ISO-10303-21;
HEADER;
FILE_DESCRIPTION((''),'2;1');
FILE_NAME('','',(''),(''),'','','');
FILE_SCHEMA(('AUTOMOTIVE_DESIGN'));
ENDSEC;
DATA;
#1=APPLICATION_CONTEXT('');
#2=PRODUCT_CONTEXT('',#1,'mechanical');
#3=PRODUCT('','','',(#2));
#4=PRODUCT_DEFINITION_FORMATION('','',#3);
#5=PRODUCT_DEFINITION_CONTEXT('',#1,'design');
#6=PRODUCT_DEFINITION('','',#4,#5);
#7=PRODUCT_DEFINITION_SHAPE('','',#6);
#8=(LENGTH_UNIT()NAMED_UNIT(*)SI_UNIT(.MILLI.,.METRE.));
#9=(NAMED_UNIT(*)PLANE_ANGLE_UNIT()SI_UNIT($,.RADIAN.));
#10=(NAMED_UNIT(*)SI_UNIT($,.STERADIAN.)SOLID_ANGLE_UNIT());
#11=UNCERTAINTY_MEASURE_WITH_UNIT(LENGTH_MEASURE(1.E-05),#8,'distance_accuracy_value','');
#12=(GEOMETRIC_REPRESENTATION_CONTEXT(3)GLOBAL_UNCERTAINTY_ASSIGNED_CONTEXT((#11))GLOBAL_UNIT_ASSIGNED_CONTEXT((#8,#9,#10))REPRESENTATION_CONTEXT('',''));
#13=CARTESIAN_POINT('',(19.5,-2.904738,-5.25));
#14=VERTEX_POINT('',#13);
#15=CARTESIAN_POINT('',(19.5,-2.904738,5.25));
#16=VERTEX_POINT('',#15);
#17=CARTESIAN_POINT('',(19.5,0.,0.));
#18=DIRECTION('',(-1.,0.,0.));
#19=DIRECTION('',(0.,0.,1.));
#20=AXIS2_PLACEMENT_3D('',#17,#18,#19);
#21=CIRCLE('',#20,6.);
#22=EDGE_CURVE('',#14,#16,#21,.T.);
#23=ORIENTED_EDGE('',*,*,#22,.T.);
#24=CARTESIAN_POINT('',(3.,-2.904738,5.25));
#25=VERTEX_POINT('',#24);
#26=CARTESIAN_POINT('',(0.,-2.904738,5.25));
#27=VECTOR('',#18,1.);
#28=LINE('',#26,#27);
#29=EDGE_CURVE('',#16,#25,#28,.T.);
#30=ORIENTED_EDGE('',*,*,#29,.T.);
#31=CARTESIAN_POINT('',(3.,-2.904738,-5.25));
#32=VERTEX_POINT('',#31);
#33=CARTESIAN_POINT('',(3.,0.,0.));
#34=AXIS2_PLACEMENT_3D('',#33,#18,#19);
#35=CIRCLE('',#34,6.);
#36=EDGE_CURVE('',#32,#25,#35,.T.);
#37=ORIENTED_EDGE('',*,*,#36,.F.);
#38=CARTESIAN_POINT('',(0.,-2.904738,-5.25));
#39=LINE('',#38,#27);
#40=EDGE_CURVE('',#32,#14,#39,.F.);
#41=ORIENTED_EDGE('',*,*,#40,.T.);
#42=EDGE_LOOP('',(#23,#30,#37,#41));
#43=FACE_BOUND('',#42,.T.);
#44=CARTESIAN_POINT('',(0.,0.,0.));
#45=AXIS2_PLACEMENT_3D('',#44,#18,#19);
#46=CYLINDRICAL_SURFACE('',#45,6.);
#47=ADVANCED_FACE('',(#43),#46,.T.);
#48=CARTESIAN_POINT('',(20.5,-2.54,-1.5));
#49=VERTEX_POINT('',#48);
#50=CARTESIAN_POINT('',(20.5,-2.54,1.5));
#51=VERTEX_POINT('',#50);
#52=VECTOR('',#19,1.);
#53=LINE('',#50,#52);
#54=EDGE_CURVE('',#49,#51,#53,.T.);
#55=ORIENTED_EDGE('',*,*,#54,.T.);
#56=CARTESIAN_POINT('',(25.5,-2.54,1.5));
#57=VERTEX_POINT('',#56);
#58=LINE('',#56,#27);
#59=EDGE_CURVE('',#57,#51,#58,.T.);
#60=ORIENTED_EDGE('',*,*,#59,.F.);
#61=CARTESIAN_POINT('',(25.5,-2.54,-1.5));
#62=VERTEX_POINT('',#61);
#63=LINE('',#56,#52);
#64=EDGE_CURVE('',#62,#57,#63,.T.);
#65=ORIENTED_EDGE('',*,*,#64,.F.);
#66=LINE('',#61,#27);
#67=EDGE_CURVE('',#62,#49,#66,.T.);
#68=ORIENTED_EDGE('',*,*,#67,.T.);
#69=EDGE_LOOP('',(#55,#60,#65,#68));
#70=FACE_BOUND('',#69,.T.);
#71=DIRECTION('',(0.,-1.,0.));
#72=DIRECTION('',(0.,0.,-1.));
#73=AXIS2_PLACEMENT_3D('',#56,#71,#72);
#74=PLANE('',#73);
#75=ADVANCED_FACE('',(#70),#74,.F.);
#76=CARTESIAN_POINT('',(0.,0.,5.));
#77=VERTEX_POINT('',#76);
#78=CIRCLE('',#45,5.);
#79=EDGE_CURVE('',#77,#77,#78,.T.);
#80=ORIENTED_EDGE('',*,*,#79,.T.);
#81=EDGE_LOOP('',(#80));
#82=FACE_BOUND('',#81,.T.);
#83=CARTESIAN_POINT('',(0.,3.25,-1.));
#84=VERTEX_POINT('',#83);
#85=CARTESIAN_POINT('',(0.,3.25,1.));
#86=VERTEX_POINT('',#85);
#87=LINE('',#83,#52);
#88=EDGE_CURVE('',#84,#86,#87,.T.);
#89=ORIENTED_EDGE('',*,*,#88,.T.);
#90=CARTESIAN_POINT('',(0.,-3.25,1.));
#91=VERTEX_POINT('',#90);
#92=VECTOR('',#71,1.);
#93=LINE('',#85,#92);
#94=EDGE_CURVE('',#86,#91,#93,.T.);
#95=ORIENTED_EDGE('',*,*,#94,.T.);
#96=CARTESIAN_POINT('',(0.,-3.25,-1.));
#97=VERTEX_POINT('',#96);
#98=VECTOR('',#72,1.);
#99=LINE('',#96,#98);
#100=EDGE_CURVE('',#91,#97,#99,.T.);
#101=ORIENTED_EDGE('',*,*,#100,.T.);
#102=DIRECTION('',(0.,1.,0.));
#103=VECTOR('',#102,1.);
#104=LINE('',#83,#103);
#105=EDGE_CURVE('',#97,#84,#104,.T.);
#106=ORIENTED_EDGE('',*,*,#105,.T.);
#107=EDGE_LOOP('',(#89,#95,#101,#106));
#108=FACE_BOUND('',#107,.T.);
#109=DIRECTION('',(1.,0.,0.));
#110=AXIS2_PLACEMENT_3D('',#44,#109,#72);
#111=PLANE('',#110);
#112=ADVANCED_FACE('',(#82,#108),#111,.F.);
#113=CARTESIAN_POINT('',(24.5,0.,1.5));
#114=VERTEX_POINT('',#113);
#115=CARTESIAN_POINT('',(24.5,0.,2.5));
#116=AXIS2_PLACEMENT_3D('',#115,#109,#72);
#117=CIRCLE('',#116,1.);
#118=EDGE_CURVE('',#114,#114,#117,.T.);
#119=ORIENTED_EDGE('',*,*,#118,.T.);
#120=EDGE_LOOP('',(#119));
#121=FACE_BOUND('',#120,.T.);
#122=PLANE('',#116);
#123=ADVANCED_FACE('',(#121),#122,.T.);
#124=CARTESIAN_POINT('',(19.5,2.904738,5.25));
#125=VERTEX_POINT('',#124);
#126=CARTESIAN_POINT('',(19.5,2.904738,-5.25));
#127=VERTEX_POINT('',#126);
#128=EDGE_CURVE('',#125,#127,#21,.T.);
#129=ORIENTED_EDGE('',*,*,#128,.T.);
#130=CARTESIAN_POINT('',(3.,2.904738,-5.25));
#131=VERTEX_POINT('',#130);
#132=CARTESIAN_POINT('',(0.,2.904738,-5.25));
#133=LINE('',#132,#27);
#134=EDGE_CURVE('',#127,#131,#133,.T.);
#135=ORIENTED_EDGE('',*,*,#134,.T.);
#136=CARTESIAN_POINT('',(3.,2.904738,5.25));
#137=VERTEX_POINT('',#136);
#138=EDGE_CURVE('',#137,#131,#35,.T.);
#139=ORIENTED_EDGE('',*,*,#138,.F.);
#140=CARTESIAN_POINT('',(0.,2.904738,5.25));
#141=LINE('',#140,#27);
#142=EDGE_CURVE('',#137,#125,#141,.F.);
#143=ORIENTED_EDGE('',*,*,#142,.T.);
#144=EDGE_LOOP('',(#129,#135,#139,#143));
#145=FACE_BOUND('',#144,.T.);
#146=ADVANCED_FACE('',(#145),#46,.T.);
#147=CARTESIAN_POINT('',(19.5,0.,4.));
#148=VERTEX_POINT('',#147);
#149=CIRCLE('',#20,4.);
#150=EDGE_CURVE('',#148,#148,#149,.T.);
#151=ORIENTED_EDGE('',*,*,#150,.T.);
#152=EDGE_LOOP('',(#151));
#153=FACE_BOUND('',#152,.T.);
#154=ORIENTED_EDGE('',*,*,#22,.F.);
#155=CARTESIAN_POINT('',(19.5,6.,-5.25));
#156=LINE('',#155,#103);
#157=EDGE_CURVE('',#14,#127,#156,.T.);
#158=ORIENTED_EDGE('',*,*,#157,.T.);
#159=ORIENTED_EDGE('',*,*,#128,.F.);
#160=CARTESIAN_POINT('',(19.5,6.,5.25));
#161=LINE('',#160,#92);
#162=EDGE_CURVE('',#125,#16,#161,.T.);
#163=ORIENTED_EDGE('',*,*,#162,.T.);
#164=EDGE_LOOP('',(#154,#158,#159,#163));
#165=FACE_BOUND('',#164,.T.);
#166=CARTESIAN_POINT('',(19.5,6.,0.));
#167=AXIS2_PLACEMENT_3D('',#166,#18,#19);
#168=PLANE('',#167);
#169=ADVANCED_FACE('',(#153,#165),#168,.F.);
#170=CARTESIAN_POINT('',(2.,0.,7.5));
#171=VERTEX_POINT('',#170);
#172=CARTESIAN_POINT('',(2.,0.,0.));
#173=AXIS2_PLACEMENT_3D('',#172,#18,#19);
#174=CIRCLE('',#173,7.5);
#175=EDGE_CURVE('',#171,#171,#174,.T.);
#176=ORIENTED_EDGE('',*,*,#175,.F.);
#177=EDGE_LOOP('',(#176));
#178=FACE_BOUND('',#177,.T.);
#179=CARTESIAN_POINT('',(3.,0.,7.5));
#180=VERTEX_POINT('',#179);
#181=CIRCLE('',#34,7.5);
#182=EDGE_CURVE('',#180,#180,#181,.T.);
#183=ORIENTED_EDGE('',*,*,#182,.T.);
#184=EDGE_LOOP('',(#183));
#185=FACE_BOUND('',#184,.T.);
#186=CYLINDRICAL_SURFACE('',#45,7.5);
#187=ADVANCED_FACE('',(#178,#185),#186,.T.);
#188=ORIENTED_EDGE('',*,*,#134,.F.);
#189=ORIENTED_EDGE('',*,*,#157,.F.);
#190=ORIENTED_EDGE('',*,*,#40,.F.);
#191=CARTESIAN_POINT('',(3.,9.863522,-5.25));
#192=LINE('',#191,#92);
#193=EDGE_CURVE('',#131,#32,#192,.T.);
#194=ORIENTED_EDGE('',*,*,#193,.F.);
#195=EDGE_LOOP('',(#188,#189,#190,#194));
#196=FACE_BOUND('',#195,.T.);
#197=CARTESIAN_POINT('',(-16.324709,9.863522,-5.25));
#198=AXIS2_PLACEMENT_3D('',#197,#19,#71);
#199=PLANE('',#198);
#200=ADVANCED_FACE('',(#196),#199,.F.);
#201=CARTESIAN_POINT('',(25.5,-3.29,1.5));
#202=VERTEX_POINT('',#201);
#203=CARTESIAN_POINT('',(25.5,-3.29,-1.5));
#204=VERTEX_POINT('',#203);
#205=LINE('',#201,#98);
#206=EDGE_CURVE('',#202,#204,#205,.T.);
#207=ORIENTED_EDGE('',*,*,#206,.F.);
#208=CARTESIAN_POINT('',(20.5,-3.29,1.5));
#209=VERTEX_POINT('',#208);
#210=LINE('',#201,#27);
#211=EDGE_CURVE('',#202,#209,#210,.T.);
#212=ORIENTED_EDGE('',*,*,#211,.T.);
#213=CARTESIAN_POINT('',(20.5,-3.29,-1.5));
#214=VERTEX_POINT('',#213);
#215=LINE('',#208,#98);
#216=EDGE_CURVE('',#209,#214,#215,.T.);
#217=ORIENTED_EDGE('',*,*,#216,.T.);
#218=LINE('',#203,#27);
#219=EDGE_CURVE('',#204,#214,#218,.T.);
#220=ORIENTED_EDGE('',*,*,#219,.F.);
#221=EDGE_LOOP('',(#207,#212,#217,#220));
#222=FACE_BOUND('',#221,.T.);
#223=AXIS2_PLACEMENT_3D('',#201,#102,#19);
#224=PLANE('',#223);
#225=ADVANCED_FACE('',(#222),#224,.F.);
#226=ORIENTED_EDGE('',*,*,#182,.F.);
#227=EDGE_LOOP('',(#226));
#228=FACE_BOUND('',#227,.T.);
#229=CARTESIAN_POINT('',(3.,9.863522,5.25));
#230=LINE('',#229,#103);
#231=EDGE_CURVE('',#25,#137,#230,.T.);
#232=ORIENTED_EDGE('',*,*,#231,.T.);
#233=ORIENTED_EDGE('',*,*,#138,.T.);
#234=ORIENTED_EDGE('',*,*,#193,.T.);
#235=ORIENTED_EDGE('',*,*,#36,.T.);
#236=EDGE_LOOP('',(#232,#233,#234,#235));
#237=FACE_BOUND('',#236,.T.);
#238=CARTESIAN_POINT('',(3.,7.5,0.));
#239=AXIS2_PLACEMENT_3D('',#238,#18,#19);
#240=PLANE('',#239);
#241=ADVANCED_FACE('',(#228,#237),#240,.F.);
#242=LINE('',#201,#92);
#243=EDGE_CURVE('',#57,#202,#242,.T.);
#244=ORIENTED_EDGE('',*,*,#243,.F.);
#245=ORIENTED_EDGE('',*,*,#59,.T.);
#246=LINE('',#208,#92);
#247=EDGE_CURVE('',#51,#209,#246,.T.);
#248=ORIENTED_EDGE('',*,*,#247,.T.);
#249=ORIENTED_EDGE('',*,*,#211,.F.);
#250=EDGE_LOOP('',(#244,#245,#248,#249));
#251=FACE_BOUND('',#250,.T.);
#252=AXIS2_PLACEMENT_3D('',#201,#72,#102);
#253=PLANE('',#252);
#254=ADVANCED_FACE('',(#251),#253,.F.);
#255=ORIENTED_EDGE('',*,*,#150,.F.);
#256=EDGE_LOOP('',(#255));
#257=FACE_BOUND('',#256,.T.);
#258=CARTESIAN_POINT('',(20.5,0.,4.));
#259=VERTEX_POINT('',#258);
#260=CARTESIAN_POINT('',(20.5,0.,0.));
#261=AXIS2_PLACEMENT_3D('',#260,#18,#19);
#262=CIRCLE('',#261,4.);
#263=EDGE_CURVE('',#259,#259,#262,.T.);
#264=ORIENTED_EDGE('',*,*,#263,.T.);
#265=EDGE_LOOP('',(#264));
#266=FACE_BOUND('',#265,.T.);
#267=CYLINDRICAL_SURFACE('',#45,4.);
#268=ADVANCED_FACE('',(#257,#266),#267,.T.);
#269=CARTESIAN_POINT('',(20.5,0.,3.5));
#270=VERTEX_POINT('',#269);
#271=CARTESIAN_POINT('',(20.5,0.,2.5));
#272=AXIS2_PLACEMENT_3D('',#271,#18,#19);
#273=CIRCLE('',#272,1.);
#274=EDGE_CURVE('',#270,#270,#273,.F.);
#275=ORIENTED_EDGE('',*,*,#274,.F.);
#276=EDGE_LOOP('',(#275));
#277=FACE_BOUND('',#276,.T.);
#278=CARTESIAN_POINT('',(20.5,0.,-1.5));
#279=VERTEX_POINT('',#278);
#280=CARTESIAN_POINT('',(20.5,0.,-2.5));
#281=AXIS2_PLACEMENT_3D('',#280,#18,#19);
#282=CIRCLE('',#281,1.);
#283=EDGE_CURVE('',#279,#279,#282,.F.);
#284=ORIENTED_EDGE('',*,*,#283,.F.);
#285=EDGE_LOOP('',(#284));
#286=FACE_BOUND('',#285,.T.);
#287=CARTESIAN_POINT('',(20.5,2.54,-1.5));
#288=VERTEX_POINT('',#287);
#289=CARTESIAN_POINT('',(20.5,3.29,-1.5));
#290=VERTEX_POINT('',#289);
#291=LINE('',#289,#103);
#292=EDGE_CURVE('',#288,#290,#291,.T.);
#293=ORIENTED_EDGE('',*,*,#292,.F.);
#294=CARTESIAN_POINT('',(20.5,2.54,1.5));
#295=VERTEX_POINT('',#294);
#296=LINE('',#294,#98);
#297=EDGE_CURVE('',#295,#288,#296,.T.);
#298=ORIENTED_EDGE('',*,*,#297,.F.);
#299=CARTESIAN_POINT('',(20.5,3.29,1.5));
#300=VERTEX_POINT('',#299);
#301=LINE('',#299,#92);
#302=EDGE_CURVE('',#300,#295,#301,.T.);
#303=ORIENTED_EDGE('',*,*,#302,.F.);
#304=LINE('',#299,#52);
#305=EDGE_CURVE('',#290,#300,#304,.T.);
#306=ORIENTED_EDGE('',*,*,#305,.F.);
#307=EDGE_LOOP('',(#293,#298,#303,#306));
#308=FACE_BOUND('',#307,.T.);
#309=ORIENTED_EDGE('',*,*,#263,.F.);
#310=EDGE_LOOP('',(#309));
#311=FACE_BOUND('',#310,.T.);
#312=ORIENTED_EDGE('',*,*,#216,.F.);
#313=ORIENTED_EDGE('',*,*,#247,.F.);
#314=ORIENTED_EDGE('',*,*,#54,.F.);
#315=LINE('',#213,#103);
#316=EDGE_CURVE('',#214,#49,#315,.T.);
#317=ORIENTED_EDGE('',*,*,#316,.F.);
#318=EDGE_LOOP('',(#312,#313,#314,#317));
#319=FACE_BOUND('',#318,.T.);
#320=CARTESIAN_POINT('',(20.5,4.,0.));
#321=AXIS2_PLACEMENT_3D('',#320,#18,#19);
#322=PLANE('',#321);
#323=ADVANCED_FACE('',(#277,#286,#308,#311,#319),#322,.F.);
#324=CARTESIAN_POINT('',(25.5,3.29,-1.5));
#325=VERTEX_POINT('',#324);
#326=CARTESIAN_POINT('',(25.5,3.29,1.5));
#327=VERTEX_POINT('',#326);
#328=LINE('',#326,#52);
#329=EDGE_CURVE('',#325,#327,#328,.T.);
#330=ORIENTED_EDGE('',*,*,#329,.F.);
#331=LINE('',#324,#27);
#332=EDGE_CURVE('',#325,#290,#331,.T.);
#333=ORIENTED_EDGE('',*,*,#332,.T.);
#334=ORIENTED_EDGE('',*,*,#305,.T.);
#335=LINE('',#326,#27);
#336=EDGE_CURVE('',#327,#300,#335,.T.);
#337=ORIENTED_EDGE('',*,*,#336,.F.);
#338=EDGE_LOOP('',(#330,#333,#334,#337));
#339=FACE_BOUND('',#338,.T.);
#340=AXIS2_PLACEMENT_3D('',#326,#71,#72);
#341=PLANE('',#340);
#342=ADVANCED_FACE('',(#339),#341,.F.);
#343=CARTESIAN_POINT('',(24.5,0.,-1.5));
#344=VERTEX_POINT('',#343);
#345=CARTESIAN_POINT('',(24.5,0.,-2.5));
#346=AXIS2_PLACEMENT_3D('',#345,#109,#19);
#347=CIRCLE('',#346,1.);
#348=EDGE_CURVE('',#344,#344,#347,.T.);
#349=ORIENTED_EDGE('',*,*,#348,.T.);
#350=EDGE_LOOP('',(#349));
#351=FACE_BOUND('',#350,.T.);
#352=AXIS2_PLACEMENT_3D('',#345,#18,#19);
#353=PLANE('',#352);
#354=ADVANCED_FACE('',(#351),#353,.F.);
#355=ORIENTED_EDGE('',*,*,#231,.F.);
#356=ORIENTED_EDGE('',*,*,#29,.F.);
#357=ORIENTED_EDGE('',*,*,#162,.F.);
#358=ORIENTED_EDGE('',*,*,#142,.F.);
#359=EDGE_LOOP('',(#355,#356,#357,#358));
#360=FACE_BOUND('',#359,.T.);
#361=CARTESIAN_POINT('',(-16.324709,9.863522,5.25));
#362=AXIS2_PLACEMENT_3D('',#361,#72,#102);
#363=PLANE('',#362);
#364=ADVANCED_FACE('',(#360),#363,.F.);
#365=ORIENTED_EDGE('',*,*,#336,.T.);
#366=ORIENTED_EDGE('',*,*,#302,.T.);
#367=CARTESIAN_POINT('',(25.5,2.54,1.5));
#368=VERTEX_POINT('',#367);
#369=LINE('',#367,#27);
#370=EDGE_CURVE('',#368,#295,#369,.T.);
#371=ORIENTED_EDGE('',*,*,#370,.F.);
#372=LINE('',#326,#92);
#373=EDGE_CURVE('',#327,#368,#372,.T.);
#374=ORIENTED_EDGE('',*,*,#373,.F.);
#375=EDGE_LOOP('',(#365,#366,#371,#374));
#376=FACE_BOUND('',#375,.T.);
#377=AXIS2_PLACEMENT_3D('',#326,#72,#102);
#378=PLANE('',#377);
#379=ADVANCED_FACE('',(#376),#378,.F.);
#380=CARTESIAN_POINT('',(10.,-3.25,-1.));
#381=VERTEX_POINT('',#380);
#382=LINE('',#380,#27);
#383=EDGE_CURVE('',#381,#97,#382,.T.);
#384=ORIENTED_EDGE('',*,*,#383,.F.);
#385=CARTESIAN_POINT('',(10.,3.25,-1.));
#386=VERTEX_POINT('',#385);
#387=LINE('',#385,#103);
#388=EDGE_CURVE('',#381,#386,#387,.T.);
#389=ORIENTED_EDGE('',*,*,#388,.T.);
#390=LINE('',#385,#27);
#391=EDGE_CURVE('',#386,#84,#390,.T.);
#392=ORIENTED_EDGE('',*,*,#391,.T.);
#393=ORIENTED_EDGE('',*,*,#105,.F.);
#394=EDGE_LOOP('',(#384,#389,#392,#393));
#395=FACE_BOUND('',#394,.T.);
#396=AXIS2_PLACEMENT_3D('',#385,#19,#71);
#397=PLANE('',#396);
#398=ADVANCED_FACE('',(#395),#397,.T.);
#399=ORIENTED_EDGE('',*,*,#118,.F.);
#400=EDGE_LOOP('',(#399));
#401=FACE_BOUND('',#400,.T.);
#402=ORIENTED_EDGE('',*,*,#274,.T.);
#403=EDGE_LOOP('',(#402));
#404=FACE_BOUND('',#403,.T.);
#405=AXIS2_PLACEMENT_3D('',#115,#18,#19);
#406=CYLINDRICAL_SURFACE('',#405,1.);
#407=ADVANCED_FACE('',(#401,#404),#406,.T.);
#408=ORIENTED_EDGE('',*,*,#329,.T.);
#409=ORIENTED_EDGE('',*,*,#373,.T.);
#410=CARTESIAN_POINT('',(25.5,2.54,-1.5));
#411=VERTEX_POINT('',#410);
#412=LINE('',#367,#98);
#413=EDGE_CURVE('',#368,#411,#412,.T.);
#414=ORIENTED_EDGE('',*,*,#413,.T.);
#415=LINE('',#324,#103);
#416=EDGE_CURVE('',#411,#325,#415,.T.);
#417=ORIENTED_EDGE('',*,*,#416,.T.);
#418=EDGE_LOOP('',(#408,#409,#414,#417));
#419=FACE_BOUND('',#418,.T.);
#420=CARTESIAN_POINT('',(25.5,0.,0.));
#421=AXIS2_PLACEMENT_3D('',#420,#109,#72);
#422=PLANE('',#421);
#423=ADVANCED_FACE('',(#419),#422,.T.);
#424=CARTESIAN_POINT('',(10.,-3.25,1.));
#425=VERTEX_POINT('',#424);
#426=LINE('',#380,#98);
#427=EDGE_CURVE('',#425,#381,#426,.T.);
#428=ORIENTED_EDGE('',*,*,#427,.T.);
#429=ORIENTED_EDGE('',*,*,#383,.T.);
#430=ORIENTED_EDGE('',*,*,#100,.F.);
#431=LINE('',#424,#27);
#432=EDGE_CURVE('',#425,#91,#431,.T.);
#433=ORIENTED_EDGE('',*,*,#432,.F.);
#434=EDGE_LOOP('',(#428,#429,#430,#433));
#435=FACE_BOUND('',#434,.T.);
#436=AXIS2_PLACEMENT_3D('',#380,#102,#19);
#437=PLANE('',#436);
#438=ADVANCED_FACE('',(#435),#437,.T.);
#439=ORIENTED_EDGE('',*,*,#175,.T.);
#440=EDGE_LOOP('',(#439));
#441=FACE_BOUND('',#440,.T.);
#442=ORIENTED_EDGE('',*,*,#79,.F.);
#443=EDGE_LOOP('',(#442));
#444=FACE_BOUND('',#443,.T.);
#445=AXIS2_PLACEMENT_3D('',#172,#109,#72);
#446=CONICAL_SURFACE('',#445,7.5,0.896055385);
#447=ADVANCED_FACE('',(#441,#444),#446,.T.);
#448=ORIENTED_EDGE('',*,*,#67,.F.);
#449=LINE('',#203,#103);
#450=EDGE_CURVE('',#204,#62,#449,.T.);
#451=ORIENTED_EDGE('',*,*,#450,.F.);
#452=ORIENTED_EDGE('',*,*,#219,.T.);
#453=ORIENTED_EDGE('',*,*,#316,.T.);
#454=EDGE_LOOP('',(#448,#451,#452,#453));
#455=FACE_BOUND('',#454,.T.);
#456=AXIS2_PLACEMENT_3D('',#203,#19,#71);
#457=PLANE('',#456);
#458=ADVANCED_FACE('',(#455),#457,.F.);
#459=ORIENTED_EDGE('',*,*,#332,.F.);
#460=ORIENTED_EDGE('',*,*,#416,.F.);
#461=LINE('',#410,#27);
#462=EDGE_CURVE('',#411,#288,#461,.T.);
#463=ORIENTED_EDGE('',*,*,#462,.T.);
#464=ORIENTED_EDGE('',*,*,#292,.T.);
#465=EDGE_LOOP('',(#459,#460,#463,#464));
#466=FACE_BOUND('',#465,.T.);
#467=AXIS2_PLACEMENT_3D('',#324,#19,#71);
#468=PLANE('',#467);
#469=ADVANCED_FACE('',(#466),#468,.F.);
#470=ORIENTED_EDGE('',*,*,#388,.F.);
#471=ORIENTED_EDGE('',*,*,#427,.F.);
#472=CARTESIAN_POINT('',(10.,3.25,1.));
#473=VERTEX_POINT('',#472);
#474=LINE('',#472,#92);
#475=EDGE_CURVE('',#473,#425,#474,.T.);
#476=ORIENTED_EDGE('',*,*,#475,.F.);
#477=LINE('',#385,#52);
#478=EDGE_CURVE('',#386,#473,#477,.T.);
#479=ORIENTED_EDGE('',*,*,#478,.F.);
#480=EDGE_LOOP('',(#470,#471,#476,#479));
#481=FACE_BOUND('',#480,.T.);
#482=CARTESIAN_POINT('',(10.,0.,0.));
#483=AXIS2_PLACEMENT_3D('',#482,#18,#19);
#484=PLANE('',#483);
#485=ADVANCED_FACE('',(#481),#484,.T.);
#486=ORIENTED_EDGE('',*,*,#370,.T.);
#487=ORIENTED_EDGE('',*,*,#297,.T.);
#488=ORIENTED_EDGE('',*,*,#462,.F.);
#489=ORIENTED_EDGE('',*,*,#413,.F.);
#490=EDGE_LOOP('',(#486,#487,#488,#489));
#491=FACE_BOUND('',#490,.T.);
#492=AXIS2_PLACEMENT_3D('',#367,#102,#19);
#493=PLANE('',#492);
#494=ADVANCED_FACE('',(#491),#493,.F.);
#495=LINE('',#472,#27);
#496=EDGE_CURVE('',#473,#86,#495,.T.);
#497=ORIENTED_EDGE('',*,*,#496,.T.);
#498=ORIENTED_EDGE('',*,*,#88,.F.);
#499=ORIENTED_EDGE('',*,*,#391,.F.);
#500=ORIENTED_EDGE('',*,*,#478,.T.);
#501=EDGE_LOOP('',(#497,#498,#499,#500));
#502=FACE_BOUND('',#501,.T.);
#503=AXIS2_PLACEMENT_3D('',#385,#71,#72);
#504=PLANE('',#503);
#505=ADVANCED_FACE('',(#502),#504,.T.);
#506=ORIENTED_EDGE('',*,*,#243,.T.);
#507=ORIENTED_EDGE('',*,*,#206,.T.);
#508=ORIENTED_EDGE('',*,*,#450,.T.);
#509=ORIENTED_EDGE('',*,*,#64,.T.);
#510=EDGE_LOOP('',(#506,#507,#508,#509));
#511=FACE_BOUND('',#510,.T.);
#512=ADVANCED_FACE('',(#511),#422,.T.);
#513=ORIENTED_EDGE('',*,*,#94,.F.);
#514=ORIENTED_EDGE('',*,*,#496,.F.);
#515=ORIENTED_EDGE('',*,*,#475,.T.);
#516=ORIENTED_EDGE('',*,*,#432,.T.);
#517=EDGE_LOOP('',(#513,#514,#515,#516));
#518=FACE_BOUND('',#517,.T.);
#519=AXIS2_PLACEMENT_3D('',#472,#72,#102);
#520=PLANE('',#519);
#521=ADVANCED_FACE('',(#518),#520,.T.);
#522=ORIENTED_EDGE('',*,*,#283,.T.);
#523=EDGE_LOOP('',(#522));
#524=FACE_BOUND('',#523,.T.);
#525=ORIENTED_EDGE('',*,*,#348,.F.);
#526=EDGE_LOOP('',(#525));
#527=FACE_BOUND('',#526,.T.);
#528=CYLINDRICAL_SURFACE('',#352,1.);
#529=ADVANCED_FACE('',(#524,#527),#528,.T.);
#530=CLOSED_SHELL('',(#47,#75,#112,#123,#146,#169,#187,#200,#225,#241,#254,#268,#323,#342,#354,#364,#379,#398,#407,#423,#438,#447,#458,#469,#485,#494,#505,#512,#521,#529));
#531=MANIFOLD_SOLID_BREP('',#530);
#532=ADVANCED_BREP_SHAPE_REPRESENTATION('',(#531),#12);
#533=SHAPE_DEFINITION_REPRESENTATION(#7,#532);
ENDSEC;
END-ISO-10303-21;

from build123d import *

# Parameters (mm, degrees)
SKETCH_2_W          = 2
SKETCH_2_H          = 6.5
CUT_EXTRUDE_1_DEPTH = 10
SKETCH_3_W          = 5.751946122
SKETCH_3_H          = 18.448834599
CUT_EXTRUDE_2_DEPTH = 17.5
SKETCH_4_W          = 3
SKETCH_4_H          = 0.75
EXTRUDE_944_DEPTH   = 5
SKETCH_5_R          = 1
EXTRUDE_1_DEPTH     = 4


with BuildPart() as part:
    # 草图1 → 旋转1 (revolve)
    with BuildSketch(Plane.XY, mode=Mode.PRIVATE) as revolve_1_sk:
        Polygon((0, 0), (0, 5), (2, 7.5), (3, 7.5), (3, 6), (19.5, 6), (19.5, 4), (20.5, 4), (20.5, 0), align=None)
    revolve(revolve_1_sk.sketch.rotate(Axis((0, 0, 0), (1, 0, 0)), 90), axis=Axis((0, 0, 0), (1, 0, 0)))

    # 草图2 → 切除-拉伸1 (cut)
    with BuildSketch(Plane(origin=(0, 0, 0), x_dir=(0, 0, -1), z_dir=(1, 0, 0))):
        Rectangle(SKETCH_2_W, SKETCH_2_H)
    extrude(amount=CUT_EXTRUDE_1_DEPTH, mode=Mode.SUBTRACT)

    # 草图3 → 切除-拉伸2 (cut)
    with BuildSketch(Plane(origin=(20.5, 0, 0), x_dir=(0, 0, -1), z_dir=(1, 0, 0))):
        with Locations((-8.125973061, 0.639105125)):
            Rectangle(SKETCH_3_W, SKETCH_3_H)
        with Locations((8.125973061, 0.639105125)):
            Rectangle(SKETCH_3_W, SKETCH_3_H)
    extrude(amount=-CUT_EXTRUDE_2_DEPTH, mode=Mode.SUBTRACT)

    # 草图4 → Extrude 944 (add)
    with BuildSketch(Plane(origin=(20.5, 0, 0), x_dir=(0, 0, -1), z_dir=(1, 0, 0))):
        with Locations((0, 2.915)):
            Rectangle(SKETCH_4_W, SKETCH_4_H)
        with Locations((0, -2.915)):
            Rectangle(SKETCH_4_W, SKETCH_4_H)
    extrude(amount=EXTRUDE_944_DEPTH)

    # 草图5 → 凸台-拉伸1 (add)
    with BuildSketch(Plane(origin=(20.5, 0, 0), x_dir=(0, 0, -1), z_dir=(1, 0, 0))):
        with Locations(Location((-2.5, 0, 0), (0, 0, 180))):
            Circle(SKETCH_5_R)
        with Locations(Location((2.5, 0, 0), (0, 0, 180))):
            Circle(SKETCH_5_R)
    extrude(amount=EXTRUDE_1_DEPTH)


solid = part.part
